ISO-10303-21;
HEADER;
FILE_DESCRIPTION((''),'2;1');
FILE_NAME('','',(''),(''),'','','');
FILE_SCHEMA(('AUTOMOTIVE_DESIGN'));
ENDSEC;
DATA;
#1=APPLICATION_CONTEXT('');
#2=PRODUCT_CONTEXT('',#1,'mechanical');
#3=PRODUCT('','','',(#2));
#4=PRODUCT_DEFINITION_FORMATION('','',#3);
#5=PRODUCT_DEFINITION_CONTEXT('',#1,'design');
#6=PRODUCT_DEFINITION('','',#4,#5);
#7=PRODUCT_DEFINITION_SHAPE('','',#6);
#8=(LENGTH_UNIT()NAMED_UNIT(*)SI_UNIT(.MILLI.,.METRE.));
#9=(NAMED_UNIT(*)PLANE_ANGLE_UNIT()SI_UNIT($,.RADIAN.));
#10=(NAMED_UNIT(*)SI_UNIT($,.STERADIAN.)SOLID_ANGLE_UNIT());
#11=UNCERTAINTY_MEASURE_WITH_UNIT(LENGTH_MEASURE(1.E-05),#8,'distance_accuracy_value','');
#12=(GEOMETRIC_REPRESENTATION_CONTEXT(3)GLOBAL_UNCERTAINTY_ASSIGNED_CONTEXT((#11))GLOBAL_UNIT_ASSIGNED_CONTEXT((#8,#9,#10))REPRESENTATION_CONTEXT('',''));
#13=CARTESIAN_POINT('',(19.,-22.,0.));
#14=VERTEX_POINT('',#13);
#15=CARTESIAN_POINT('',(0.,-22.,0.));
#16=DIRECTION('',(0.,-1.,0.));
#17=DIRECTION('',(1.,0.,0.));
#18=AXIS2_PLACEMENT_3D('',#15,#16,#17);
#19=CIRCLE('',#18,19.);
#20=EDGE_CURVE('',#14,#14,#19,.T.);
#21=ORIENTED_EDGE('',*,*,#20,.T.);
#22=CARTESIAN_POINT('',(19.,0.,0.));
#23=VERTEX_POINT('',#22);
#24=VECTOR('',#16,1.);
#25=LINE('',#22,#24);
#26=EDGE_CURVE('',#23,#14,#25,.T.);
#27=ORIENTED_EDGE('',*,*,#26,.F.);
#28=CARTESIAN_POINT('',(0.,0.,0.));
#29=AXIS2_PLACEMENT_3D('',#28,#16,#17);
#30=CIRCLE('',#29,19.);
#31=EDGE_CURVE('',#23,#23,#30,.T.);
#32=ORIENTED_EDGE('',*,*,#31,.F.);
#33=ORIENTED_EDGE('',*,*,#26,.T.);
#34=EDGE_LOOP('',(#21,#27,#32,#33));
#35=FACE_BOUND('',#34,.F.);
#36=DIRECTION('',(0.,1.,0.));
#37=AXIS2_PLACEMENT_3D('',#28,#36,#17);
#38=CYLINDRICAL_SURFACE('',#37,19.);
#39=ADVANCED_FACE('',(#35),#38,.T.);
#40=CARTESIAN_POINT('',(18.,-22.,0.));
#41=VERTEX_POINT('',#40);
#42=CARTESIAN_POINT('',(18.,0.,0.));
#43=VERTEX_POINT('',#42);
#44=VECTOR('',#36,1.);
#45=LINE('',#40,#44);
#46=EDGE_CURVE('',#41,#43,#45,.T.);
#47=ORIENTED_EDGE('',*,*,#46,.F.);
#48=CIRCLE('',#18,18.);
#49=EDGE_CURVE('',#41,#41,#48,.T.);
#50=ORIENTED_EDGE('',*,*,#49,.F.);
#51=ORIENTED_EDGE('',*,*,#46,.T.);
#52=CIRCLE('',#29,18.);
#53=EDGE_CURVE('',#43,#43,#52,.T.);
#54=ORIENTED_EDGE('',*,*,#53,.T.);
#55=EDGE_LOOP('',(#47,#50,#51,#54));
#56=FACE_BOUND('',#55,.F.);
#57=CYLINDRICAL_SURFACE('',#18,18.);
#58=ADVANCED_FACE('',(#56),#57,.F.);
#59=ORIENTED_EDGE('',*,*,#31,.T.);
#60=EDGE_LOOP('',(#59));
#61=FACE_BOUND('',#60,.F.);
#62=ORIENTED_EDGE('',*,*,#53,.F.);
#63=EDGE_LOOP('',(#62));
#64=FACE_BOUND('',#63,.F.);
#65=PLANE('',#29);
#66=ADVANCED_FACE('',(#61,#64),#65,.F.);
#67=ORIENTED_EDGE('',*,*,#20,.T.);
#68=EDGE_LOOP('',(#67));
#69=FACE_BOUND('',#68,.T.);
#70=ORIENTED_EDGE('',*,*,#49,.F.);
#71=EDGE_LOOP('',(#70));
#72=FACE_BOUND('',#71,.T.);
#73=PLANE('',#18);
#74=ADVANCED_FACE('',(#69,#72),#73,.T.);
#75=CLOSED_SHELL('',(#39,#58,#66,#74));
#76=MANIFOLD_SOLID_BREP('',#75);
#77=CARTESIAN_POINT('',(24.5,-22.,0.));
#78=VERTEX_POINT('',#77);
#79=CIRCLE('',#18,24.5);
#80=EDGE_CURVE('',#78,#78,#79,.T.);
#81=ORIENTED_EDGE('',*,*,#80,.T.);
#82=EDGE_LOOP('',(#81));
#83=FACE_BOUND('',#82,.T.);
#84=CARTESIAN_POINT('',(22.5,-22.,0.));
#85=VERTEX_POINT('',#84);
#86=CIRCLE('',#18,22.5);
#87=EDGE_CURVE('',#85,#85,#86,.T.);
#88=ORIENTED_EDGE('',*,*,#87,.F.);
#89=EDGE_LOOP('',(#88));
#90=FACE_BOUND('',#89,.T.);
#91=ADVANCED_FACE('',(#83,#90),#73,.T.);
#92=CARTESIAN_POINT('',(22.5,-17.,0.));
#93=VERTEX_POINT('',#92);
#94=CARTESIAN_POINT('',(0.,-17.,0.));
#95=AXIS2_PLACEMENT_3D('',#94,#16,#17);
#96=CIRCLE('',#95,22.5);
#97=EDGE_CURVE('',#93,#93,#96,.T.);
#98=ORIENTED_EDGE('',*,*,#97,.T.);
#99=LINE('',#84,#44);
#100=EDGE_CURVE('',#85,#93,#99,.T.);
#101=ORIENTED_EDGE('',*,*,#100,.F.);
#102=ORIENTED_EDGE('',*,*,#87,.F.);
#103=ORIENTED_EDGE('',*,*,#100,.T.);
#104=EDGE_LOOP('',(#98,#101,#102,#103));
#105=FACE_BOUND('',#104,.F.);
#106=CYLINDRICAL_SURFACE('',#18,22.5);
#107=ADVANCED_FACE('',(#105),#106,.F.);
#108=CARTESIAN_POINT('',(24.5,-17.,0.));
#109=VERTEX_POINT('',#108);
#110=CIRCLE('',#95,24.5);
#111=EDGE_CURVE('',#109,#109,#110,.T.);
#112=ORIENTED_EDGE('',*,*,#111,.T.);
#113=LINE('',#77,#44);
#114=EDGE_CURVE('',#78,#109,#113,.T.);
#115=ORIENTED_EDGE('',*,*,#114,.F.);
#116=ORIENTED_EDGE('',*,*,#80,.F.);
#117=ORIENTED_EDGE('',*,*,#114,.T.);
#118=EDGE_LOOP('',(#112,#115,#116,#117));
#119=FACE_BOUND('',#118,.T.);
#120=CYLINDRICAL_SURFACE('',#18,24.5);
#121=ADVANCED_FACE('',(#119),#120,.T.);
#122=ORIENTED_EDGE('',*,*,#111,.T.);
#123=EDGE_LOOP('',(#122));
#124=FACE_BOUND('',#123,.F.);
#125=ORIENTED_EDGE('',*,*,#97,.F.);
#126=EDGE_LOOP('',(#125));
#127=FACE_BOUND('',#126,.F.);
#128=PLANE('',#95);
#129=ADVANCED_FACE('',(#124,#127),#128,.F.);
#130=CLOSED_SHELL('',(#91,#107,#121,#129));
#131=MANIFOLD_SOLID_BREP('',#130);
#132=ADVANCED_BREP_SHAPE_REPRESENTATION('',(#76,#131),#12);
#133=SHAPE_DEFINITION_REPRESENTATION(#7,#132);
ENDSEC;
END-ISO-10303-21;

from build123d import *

# Parameters (mm, degrees)
F0_R     = 19
F1_DEPTH = 22
F2_R     = 18
F3_DEPTH = 22.001
F4_R     = 24.5
F4_R_2   = 22.5
F5_DEPTH = 5


with BuildPart() as f1:
    # F0 (on Front) → F1 (new body)
    with BuildSketch(Plane.XZ):
        Circle(F0_R)
    extrude(amount=F1_DEPTH)

    # F2 (on face) → F3 (cut, through all)
    with BuildSketch(Plane.XZ.offset(22)):
        Circle(F2_R)
    extrude(amount=-F3_DEPTH, mode=Mode.SUBTRACT)


with BuildPart() as f5:
    # F4 (on face) → F5 (new body)
    with BuildSketch(Plane.XZ.offset(22)):
        Circle(F4_R)
        Circle(F4_R_2, mode=Mode.SUBTRACT)
    extrude(amount=-F5_DEPTH)


solid = Compound([f1.part, f5.part])
